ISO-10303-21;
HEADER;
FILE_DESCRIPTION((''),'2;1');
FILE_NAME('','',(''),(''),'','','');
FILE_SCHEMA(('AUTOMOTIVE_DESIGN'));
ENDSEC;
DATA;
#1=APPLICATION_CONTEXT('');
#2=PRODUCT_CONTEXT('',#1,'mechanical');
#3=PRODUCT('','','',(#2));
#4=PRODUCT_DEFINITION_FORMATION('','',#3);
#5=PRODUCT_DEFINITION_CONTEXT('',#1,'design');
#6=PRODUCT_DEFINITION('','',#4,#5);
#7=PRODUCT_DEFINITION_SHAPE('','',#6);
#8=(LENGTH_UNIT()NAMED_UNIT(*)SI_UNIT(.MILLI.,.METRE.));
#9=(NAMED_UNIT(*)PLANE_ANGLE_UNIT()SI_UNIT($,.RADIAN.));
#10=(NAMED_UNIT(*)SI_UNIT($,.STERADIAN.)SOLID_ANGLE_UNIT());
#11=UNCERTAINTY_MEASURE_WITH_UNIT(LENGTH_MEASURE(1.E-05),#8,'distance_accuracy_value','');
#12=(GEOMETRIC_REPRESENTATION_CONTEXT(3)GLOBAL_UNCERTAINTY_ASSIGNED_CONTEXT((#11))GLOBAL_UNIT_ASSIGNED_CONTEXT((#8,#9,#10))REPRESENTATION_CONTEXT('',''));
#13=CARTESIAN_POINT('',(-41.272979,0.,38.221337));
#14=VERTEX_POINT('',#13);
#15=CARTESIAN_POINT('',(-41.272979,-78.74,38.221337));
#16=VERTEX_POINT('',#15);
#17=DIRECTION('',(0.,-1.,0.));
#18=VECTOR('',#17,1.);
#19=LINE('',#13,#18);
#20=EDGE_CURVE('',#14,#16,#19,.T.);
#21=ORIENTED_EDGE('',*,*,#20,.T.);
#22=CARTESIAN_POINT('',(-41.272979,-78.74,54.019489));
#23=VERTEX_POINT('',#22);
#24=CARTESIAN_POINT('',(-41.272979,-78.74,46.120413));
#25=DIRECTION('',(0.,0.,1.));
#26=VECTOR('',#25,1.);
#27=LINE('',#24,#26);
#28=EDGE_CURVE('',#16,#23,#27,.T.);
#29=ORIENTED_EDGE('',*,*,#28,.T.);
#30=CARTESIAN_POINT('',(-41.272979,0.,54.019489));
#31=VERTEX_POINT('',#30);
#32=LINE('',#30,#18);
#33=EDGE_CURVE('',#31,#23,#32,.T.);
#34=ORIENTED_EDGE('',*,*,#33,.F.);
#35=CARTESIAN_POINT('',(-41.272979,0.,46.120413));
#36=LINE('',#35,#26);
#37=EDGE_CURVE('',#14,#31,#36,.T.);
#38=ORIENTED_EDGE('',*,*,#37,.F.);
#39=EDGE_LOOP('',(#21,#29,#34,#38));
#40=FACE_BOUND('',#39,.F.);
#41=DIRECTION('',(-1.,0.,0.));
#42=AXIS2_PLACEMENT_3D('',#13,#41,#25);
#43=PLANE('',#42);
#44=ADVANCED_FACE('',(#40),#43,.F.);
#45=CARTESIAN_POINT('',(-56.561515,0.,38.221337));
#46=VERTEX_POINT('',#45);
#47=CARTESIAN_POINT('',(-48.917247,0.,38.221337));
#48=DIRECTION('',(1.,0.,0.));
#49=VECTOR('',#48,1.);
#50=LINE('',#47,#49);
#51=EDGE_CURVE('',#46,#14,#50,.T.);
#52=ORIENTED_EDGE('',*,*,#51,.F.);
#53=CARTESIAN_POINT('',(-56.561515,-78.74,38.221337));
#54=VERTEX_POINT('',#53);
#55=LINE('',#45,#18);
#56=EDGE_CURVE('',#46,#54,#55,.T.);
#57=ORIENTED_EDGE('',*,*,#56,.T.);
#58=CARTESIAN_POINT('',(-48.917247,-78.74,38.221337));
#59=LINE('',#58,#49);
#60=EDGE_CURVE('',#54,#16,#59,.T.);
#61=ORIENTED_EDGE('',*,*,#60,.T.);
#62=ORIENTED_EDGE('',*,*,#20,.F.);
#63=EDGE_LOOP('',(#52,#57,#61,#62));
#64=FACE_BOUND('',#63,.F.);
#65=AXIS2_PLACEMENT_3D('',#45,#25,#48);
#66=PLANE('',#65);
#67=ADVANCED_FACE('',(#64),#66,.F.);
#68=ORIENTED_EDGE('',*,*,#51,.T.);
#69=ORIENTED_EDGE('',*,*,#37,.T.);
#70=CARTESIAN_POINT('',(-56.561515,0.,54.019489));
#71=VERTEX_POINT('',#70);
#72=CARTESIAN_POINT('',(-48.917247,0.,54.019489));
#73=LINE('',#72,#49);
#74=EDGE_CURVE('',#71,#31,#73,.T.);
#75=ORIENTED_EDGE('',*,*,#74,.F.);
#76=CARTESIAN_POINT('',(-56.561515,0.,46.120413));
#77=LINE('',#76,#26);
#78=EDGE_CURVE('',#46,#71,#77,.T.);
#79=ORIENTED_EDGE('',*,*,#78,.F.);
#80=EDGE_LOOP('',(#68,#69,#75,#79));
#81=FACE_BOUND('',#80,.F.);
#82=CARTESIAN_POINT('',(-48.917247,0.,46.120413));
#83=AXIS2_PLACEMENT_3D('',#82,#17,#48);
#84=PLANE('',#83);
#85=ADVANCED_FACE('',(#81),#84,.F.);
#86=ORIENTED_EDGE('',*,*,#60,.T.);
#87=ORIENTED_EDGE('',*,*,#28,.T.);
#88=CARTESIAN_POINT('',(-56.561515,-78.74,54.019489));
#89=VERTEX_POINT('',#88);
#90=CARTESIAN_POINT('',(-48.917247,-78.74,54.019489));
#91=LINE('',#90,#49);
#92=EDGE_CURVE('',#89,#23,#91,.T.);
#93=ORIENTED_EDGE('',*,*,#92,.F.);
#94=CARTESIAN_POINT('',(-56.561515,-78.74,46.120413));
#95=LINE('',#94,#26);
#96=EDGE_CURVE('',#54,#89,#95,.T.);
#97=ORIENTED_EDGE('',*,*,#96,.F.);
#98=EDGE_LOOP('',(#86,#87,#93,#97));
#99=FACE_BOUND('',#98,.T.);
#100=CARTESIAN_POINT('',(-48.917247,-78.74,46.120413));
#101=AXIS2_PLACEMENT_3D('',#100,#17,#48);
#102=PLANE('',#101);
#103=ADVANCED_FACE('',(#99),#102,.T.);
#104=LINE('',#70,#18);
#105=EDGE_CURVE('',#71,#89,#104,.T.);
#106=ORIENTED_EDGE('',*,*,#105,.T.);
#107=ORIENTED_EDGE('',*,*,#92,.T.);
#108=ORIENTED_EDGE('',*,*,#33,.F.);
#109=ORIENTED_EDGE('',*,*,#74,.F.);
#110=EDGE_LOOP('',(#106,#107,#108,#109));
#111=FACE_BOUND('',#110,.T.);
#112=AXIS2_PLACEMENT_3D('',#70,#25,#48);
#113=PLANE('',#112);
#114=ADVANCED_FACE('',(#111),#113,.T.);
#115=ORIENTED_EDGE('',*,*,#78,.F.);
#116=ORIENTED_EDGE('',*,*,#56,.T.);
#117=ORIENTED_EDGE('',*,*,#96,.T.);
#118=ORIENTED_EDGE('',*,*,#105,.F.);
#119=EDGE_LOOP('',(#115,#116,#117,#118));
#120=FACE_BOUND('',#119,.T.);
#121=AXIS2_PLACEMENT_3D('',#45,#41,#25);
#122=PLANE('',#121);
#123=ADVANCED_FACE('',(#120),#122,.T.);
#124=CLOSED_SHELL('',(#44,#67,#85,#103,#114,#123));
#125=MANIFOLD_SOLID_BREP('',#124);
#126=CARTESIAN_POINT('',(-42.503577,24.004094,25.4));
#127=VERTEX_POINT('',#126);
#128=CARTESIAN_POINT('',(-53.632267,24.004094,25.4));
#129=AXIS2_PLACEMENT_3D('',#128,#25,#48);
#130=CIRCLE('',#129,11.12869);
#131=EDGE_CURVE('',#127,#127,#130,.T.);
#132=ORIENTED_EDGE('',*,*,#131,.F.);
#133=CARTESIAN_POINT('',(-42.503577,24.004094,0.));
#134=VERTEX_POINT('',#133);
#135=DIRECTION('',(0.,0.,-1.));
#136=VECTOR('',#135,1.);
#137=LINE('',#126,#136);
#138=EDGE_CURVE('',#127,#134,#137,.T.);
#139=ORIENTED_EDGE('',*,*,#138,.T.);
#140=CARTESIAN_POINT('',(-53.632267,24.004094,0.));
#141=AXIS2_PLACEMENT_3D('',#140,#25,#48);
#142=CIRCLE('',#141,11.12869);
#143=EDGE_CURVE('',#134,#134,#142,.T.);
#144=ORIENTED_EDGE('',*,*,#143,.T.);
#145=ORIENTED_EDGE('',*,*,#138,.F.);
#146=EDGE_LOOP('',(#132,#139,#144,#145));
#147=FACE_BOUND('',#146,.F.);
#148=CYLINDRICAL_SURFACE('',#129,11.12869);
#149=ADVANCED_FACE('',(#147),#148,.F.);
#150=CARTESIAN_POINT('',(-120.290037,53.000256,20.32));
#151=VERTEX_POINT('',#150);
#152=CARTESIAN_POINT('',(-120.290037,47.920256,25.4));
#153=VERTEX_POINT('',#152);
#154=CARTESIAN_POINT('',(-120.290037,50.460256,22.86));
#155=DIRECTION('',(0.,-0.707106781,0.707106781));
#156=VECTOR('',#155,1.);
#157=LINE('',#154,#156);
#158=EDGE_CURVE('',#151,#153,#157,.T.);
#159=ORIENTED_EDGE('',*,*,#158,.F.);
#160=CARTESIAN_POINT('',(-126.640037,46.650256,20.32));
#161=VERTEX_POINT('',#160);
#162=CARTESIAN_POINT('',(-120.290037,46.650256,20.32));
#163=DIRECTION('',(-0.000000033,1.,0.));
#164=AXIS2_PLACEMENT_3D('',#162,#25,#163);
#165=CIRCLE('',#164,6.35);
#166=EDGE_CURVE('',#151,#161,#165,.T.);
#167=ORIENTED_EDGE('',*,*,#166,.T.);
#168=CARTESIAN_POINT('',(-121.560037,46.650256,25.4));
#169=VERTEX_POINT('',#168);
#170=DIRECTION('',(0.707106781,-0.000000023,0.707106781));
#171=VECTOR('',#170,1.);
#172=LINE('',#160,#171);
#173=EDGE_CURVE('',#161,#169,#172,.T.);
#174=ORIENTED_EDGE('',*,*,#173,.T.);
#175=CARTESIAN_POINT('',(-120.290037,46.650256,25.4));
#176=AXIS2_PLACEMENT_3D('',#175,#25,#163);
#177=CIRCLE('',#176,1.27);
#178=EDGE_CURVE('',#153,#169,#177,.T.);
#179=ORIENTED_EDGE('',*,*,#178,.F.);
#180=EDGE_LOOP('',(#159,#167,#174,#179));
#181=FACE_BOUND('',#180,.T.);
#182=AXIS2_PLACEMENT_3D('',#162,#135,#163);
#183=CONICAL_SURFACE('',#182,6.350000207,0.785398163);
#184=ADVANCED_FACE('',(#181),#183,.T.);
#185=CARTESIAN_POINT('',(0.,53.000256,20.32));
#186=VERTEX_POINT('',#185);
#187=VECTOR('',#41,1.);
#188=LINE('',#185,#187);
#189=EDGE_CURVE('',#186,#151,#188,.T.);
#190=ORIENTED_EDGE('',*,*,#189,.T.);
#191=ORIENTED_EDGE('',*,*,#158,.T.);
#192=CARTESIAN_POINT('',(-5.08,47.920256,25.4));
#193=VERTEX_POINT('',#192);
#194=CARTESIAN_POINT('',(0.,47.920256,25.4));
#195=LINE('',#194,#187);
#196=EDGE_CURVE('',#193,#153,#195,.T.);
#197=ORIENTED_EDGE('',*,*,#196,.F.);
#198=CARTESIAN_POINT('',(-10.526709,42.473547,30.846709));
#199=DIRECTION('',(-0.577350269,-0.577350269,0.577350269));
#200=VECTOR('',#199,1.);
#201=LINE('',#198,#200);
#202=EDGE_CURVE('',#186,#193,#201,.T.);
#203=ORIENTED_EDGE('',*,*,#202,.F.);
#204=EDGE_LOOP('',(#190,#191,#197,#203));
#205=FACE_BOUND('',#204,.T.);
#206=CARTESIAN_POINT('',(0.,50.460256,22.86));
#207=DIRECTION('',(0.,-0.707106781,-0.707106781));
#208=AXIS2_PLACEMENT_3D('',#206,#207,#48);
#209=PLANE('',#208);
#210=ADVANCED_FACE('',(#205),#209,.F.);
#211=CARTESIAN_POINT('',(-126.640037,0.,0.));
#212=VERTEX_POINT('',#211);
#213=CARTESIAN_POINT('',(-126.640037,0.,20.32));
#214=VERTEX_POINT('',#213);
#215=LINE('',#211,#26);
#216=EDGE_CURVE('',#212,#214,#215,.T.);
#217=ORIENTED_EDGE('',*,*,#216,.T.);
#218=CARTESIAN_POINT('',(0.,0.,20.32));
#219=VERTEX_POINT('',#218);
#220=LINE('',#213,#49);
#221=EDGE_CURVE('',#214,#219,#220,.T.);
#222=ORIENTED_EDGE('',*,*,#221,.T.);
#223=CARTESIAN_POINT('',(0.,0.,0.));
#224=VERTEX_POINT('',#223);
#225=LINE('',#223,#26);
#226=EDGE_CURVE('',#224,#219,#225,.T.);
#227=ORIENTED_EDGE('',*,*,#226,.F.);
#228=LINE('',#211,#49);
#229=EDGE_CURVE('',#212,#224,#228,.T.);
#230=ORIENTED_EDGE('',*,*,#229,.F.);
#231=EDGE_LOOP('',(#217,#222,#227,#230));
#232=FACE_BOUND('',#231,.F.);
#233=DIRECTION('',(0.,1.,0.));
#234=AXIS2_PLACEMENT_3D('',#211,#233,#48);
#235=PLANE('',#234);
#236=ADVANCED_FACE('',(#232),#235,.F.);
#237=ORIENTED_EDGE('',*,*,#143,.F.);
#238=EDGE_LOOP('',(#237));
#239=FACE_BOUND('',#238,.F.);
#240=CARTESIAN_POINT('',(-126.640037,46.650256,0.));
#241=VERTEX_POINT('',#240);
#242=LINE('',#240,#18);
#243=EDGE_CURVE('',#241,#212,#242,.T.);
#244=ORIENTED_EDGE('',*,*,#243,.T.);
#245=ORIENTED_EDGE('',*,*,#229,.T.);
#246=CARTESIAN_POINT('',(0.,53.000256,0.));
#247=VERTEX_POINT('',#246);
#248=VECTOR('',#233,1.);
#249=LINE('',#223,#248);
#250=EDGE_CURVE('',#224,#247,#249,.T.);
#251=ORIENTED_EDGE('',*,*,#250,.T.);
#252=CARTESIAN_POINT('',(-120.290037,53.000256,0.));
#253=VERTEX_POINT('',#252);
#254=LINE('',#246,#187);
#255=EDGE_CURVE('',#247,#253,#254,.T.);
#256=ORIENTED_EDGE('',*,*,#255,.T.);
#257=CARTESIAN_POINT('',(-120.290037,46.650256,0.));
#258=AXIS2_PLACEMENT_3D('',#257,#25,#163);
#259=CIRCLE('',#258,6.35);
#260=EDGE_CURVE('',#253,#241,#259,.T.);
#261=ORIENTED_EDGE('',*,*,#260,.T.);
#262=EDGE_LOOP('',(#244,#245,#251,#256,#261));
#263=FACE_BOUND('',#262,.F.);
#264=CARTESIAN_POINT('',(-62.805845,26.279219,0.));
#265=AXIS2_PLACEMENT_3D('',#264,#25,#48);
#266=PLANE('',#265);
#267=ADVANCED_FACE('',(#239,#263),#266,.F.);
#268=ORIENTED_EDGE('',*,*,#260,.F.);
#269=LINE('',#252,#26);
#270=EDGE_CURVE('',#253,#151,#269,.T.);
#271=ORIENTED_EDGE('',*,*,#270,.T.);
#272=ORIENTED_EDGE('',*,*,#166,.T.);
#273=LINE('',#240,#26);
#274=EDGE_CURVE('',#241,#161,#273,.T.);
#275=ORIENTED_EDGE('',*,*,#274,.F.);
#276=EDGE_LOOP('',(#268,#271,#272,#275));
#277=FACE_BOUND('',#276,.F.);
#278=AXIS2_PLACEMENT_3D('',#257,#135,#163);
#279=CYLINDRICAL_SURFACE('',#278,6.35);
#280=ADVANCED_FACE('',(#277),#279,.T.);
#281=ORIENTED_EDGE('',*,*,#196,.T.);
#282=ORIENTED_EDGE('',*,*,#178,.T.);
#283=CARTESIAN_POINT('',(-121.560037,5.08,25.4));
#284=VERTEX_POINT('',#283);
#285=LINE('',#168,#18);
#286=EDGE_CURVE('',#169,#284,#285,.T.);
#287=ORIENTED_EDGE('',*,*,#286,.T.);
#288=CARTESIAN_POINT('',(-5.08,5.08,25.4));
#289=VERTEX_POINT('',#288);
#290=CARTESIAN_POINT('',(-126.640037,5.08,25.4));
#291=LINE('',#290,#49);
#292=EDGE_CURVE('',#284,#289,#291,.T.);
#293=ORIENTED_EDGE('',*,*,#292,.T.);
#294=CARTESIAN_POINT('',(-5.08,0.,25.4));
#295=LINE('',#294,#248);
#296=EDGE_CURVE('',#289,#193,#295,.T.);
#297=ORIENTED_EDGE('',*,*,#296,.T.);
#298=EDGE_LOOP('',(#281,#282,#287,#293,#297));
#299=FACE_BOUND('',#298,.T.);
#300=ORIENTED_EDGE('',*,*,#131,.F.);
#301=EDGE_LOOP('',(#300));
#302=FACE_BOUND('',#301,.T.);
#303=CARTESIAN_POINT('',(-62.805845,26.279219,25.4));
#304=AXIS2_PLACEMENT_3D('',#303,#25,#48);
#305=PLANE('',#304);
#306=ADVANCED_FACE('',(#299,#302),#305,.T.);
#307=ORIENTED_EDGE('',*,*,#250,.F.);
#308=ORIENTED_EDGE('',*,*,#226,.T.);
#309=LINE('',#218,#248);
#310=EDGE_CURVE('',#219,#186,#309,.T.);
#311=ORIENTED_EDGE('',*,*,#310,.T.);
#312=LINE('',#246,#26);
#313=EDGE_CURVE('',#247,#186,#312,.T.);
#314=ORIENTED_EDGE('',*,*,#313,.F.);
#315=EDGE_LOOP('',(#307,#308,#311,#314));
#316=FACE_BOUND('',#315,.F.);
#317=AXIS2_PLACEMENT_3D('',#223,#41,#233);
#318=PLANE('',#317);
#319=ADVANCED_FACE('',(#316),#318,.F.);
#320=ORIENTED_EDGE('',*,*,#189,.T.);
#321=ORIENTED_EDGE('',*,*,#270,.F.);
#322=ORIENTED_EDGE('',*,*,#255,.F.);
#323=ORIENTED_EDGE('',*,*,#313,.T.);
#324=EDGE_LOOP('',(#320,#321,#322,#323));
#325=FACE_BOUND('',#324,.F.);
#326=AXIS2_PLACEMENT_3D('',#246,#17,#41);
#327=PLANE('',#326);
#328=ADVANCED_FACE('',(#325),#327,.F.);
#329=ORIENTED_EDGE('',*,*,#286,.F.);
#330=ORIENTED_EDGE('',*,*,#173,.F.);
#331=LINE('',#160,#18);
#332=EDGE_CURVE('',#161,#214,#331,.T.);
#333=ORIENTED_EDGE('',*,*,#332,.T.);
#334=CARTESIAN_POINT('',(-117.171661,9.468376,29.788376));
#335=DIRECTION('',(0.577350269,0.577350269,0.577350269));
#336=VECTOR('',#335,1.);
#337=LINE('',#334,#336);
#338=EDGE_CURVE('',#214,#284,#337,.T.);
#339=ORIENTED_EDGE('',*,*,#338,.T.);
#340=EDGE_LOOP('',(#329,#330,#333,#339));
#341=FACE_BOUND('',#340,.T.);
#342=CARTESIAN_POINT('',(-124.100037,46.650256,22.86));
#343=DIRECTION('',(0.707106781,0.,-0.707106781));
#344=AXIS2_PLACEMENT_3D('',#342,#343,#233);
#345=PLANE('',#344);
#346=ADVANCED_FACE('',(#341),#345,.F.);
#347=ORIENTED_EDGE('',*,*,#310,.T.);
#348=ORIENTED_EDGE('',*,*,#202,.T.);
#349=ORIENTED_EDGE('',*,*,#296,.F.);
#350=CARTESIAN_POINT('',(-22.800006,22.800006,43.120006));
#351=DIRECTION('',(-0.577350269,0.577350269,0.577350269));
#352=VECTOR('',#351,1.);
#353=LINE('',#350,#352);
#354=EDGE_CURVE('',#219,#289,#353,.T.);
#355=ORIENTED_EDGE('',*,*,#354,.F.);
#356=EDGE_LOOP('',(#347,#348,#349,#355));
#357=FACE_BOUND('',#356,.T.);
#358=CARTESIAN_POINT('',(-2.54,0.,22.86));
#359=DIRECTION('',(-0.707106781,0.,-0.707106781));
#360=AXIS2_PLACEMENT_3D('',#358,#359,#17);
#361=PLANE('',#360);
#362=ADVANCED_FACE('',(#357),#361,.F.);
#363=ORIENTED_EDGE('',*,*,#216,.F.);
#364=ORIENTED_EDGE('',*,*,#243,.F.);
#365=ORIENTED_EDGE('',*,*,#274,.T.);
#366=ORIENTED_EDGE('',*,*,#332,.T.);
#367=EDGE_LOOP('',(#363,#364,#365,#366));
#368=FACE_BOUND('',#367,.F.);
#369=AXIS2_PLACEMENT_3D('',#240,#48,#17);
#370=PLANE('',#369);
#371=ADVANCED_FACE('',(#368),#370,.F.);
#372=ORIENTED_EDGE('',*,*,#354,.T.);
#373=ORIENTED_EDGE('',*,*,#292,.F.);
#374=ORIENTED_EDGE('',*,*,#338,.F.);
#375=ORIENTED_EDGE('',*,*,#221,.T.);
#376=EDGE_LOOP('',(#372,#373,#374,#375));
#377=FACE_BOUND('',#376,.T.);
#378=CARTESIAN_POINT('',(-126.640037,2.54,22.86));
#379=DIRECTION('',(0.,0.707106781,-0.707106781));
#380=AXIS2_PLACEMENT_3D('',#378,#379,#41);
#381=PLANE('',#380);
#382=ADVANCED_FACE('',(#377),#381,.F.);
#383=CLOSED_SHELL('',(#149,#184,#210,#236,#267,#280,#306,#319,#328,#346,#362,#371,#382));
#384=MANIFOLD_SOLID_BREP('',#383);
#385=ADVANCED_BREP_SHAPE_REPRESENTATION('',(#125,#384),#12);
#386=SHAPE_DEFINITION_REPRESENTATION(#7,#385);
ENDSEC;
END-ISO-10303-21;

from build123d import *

# Parameters (mm, degrees)
F1_DEPTH      = 25.4
F2_SIZE       = 5.08
F3_R          = 11.12869
F4_DEPTH      = 72.136
F4_DEPTH_BACK = 25.4
F5_W          = 15.288536
F5_H          = 15.798151
F6_DEPTH      = 78.74


with BuildPart() as f1:
    # F0 (on Top) → F1 (new body)
    with BuildSketch(Plane.XY):
        with BuildLine():
            Line((-126.640037, 0), (0, 0))
            Line((0, 0), (0, 53.000256))
            Line((0, 53.000256), (-120.290037, 53.000256))
            ThreePointArc((-120.290037, 53.000256), (-124.780165, 51.140384), (-126.640037, 46.650256))
            Line((-126.640037, 46.650256), (-126.640037, 0))
        make_face()
    extrude(amount=F1_DEPTH)

    # F2
    f2_edges = [f1.edges().sort_by_distance(p)[0] for p in [
        (-126.640037, 23.325128, 25.4),
        (-63.320018, 0, 25.4),
        (0, 26.500128, 25.4),
    ]]
    chamfer(f2_edges, length=F2_SIZE)

    # F3 (on face) → F4 (cut, two sides)
    with BuildSketch(Plane.XY.offset(25.4)) as f4_sk:
        with Locations((-53.632267, 24.004094)):
            Circle(F3_R)
    extrude(amount=-F4_DEPTH, mode=Mode.SUBTRACT)
    extrude(f4_sk.sketch, amount=-F4_DEPTH_BACK, mode=Mode.SUBTRACT)


with BuildPart() as f6:
    # F5 (on face) → F6 (new body)
    with BuildSketch(Plane.XZ):
        with Locations((-48.917247, 46.120413)):
            Rectangle(F5_W, F5_H)
    extrude(amount=F6_DEPTH)


solid = Compound([f1.part, f6.part])
